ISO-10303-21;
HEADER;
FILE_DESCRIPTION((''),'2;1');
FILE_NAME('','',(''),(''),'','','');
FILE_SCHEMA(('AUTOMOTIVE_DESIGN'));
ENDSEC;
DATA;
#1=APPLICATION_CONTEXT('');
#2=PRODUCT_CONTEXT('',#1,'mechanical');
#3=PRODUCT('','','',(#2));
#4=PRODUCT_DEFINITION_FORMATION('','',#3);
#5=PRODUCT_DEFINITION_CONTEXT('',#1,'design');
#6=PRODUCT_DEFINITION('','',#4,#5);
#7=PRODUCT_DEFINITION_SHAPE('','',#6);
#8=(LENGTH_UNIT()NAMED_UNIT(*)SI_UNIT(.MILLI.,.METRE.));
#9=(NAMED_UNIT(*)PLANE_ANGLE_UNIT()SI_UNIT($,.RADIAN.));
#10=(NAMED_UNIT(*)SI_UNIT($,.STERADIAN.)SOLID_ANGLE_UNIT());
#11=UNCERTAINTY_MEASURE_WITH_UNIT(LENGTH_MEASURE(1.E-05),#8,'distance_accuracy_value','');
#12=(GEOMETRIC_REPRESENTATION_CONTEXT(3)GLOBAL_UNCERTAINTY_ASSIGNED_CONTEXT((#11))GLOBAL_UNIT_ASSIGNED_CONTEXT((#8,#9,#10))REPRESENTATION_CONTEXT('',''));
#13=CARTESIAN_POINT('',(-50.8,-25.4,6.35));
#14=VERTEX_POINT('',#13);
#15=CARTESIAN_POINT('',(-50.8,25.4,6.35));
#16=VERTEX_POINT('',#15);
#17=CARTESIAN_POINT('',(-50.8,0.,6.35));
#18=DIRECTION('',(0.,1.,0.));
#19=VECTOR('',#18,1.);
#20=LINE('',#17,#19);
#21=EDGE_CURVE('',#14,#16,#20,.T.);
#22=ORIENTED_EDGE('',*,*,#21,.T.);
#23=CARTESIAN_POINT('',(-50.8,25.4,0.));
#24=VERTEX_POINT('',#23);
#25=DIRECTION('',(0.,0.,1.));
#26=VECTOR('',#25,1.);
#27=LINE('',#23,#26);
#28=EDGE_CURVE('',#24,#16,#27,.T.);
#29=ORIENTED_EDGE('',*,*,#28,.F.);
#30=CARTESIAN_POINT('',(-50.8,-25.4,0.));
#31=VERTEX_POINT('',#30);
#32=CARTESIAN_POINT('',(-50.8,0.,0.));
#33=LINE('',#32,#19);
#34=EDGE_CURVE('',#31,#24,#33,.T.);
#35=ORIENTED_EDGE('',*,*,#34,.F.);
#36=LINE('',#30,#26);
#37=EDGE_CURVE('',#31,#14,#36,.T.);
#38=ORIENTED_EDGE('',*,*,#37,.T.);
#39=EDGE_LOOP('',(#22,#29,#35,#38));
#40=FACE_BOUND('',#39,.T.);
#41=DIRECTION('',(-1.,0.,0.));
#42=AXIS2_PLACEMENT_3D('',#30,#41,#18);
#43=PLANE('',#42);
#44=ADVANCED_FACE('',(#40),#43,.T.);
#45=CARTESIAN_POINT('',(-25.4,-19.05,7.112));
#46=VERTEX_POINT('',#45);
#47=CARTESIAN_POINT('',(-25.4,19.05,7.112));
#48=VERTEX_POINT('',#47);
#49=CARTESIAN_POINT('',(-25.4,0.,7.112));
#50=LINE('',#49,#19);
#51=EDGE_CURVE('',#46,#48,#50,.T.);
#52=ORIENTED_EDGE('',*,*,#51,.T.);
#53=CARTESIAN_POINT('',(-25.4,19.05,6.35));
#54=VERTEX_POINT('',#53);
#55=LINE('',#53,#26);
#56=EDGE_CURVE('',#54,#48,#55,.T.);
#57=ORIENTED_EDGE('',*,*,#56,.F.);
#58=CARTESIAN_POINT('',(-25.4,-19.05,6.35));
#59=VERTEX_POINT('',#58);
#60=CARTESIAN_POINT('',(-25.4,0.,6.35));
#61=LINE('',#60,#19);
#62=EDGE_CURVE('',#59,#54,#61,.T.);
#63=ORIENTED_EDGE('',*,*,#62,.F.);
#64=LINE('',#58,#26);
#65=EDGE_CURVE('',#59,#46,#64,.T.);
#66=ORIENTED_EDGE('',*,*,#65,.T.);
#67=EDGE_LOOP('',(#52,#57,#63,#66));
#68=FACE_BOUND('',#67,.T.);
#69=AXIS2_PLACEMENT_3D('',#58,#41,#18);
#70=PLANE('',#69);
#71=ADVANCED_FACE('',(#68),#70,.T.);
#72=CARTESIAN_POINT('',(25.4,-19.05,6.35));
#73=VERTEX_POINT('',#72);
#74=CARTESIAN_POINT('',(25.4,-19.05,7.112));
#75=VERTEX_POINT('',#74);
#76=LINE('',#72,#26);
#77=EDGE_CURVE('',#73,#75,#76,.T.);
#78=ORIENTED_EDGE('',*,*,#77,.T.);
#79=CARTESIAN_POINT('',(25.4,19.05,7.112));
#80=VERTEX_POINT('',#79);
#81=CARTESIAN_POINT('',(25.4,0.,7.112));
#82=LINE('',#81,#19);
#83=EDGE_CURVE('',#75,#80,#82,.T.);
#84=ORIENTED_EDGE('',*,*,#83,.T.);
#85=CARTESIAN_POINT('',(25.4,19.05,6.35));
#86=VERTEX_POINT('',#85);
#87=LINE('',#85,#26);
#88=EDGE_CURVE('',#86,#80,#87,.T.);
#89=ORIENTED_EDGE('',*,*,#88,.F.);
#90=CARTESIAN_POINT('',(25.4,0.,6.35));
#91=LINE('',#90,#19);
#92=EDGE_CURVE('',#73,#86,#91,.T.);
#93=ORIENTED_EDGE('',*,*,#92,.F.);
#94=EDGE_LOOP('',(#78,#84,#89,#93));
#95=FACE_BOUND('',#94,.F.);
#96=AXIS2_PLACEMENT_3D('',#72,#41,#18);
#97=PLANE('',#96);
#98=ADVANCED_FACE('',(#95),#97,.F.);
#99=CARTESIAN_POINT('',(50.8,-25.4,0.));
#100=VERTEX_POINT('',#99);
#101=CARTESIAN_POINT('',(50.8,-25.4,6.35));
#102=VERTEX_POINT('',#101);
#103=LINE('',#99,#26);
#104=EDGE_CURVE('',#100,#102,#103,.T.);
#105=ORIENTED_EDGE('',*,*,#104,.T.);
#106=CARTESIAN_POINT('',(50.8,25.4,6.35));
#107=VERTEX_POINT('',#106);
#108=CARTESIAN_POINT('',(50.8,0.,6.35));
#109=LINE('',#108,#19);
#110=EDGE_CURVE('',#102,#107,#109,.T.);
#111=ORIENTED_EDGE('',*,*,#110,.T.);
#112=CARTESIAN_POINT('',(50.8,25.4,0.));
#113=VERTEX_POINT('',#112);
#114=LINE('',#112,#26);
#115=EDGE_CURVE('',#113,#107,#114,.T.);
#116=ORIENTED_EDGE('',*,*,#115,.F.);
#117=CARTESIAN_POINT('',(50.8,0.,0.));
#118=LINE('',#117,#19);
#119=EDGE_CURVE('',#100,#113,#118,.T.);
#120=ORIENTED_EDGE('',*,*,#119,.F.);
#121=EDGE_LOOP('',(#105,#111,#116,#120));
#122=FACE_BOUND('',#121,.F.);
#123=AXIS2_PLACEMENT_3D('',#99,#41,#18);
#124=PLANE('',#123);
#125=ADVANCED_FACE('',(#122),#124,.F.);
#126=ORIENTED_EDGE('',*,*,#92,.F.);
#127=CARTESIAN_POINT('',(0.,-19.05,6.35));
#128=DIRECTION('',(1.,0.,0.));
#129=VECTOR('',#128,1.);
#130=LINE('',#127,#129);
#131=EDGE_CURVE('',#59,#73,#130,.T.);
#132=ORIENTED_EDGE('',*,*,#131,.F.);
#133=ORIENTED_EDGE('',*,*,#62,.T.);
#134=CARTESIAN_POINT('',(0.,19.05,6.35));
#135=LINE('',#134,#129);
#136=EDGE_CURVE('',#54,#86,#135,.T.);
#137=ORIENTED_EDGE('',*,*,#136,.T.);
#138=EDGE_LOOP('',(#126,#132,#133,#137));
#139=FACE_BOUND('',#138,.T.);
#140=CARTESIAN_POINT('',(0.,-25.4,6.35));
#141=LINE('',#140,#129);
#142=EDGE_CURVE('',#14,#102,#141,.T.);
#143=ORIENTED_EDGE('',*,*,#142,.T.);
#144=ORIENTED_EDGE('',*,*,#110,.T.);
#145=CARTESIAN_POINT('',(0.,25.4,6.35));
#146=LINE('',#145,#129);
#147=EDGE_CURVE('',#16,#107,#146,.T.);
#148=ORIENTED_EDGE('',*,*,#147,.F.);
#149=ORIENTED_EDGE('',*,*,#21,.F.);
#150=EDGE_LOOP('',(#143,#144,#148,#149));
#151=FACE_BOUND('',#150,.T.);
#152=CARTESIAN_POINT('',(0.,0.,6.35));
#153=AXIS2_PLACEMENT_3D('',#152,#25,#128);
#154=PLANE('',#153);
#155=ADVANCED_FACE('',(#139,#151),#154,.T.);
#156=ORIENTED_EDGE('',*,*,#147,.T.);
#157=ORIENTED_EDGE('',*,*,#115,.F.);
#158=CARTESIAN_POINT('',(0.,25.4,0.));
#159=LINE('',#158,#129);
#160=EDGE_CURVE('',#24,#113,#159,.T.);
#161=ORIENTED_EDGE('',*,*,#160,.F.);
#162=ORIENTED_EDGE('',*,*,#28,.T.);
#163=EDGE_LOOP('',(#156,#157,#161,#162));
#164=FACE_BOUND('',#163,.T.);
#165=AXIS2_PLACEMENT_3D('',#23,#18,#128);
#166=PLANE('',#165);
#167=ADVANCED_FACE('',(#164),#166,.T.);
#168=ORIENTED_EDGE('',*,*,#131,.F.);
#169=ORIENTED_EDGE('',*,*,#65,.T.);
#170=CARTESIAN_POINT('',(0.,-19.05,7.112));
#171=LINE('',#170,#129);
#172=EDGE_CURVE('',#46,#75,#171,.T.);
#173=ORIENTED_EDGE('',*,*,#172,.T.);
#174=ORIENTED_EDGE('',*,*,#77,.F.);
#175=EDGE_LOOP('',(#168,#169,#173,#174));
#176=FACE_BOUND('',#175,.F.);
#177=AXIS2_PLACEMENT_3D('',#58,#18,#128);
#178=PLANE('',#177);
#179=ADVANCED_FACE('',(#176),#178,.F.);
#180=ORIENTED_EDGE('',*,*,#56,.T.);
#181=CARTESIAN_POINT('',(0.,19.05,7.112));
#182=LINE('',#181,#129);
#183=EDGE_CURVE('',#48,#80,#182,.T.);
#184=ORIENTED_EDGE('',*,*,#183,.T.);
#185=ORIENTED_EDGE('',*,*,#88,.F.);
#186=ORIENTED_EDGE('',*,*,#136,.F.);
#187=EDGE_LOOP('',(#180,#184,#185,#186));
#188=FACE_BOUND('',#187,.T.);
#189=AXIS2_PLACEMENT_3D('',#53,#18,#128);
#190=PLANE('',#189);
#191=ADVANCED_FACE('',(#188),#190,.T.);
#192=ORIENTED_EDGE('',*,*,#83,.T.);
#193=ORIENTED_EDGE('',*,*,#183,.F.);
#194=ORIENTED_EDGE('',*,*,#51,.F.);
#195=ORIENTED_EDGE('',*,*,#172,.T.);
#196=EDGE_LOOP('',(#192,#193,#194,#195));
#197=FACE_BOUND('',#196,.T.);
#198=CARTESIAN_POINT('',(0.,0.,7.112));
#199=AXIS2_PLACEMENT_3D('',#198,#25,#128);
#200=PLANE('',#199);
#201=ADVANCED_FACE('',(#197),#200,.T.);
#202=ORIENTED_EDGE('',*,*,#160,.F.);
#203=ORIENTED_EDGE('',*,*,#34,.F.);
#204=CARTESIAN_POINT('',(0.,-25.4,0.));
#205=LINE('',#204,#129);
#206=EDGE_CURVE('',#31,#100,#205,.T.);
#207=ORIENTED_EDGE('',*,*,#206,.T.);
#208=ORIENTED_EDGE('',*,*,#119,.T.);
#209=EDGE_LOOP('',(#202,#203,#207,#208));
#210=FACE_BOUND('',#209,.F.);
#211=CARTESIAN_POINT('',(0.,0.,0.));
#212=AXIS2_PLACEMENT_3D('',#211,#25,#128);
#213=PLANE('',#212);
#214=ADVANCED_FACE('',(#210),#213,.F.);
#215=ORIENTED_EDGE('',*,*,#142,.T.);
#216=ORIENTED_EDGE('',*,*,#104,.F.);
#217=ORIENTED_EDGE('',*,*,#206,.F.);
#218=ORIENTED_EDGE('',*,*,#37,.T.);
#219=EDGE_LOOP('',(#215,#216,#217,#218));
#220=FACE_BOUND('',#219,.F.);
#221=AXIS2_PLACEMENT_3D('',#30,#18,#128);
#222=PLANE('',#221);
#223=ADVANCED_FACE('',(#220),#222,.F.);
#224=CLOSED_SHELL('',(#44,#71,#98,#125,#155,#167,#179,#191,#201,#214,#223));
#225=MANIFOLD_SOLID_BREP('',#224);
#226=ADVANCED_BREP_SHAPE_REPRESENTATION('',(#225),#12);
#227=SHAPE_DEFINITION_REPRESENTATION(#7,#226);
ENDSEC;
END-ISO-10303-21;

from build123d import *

# Parameters (mm, degrees)
F0_W     = 101.6
F0_H     = 50.8
F1_DEPTH = 6.35
F2_W     = 50.8
F2_H     = 38.1
F3_DEPTH = 0.762


with BuildPart() as f1:
    # F0 (on Top) → F1 (new body)
    with BuildSketch(Plane.XY):
        Rectangle(F0_W, F0_H)
    extrude(amount=F1_DEPTH)

    # F2 (on face) → F3 (join)
    with BuildSketch(Plane.XY.offset(6.35)):
        Rectangle(F2_W, F2_H)
    extrude(amount=F3_DEPTH)


solid = f1.part
